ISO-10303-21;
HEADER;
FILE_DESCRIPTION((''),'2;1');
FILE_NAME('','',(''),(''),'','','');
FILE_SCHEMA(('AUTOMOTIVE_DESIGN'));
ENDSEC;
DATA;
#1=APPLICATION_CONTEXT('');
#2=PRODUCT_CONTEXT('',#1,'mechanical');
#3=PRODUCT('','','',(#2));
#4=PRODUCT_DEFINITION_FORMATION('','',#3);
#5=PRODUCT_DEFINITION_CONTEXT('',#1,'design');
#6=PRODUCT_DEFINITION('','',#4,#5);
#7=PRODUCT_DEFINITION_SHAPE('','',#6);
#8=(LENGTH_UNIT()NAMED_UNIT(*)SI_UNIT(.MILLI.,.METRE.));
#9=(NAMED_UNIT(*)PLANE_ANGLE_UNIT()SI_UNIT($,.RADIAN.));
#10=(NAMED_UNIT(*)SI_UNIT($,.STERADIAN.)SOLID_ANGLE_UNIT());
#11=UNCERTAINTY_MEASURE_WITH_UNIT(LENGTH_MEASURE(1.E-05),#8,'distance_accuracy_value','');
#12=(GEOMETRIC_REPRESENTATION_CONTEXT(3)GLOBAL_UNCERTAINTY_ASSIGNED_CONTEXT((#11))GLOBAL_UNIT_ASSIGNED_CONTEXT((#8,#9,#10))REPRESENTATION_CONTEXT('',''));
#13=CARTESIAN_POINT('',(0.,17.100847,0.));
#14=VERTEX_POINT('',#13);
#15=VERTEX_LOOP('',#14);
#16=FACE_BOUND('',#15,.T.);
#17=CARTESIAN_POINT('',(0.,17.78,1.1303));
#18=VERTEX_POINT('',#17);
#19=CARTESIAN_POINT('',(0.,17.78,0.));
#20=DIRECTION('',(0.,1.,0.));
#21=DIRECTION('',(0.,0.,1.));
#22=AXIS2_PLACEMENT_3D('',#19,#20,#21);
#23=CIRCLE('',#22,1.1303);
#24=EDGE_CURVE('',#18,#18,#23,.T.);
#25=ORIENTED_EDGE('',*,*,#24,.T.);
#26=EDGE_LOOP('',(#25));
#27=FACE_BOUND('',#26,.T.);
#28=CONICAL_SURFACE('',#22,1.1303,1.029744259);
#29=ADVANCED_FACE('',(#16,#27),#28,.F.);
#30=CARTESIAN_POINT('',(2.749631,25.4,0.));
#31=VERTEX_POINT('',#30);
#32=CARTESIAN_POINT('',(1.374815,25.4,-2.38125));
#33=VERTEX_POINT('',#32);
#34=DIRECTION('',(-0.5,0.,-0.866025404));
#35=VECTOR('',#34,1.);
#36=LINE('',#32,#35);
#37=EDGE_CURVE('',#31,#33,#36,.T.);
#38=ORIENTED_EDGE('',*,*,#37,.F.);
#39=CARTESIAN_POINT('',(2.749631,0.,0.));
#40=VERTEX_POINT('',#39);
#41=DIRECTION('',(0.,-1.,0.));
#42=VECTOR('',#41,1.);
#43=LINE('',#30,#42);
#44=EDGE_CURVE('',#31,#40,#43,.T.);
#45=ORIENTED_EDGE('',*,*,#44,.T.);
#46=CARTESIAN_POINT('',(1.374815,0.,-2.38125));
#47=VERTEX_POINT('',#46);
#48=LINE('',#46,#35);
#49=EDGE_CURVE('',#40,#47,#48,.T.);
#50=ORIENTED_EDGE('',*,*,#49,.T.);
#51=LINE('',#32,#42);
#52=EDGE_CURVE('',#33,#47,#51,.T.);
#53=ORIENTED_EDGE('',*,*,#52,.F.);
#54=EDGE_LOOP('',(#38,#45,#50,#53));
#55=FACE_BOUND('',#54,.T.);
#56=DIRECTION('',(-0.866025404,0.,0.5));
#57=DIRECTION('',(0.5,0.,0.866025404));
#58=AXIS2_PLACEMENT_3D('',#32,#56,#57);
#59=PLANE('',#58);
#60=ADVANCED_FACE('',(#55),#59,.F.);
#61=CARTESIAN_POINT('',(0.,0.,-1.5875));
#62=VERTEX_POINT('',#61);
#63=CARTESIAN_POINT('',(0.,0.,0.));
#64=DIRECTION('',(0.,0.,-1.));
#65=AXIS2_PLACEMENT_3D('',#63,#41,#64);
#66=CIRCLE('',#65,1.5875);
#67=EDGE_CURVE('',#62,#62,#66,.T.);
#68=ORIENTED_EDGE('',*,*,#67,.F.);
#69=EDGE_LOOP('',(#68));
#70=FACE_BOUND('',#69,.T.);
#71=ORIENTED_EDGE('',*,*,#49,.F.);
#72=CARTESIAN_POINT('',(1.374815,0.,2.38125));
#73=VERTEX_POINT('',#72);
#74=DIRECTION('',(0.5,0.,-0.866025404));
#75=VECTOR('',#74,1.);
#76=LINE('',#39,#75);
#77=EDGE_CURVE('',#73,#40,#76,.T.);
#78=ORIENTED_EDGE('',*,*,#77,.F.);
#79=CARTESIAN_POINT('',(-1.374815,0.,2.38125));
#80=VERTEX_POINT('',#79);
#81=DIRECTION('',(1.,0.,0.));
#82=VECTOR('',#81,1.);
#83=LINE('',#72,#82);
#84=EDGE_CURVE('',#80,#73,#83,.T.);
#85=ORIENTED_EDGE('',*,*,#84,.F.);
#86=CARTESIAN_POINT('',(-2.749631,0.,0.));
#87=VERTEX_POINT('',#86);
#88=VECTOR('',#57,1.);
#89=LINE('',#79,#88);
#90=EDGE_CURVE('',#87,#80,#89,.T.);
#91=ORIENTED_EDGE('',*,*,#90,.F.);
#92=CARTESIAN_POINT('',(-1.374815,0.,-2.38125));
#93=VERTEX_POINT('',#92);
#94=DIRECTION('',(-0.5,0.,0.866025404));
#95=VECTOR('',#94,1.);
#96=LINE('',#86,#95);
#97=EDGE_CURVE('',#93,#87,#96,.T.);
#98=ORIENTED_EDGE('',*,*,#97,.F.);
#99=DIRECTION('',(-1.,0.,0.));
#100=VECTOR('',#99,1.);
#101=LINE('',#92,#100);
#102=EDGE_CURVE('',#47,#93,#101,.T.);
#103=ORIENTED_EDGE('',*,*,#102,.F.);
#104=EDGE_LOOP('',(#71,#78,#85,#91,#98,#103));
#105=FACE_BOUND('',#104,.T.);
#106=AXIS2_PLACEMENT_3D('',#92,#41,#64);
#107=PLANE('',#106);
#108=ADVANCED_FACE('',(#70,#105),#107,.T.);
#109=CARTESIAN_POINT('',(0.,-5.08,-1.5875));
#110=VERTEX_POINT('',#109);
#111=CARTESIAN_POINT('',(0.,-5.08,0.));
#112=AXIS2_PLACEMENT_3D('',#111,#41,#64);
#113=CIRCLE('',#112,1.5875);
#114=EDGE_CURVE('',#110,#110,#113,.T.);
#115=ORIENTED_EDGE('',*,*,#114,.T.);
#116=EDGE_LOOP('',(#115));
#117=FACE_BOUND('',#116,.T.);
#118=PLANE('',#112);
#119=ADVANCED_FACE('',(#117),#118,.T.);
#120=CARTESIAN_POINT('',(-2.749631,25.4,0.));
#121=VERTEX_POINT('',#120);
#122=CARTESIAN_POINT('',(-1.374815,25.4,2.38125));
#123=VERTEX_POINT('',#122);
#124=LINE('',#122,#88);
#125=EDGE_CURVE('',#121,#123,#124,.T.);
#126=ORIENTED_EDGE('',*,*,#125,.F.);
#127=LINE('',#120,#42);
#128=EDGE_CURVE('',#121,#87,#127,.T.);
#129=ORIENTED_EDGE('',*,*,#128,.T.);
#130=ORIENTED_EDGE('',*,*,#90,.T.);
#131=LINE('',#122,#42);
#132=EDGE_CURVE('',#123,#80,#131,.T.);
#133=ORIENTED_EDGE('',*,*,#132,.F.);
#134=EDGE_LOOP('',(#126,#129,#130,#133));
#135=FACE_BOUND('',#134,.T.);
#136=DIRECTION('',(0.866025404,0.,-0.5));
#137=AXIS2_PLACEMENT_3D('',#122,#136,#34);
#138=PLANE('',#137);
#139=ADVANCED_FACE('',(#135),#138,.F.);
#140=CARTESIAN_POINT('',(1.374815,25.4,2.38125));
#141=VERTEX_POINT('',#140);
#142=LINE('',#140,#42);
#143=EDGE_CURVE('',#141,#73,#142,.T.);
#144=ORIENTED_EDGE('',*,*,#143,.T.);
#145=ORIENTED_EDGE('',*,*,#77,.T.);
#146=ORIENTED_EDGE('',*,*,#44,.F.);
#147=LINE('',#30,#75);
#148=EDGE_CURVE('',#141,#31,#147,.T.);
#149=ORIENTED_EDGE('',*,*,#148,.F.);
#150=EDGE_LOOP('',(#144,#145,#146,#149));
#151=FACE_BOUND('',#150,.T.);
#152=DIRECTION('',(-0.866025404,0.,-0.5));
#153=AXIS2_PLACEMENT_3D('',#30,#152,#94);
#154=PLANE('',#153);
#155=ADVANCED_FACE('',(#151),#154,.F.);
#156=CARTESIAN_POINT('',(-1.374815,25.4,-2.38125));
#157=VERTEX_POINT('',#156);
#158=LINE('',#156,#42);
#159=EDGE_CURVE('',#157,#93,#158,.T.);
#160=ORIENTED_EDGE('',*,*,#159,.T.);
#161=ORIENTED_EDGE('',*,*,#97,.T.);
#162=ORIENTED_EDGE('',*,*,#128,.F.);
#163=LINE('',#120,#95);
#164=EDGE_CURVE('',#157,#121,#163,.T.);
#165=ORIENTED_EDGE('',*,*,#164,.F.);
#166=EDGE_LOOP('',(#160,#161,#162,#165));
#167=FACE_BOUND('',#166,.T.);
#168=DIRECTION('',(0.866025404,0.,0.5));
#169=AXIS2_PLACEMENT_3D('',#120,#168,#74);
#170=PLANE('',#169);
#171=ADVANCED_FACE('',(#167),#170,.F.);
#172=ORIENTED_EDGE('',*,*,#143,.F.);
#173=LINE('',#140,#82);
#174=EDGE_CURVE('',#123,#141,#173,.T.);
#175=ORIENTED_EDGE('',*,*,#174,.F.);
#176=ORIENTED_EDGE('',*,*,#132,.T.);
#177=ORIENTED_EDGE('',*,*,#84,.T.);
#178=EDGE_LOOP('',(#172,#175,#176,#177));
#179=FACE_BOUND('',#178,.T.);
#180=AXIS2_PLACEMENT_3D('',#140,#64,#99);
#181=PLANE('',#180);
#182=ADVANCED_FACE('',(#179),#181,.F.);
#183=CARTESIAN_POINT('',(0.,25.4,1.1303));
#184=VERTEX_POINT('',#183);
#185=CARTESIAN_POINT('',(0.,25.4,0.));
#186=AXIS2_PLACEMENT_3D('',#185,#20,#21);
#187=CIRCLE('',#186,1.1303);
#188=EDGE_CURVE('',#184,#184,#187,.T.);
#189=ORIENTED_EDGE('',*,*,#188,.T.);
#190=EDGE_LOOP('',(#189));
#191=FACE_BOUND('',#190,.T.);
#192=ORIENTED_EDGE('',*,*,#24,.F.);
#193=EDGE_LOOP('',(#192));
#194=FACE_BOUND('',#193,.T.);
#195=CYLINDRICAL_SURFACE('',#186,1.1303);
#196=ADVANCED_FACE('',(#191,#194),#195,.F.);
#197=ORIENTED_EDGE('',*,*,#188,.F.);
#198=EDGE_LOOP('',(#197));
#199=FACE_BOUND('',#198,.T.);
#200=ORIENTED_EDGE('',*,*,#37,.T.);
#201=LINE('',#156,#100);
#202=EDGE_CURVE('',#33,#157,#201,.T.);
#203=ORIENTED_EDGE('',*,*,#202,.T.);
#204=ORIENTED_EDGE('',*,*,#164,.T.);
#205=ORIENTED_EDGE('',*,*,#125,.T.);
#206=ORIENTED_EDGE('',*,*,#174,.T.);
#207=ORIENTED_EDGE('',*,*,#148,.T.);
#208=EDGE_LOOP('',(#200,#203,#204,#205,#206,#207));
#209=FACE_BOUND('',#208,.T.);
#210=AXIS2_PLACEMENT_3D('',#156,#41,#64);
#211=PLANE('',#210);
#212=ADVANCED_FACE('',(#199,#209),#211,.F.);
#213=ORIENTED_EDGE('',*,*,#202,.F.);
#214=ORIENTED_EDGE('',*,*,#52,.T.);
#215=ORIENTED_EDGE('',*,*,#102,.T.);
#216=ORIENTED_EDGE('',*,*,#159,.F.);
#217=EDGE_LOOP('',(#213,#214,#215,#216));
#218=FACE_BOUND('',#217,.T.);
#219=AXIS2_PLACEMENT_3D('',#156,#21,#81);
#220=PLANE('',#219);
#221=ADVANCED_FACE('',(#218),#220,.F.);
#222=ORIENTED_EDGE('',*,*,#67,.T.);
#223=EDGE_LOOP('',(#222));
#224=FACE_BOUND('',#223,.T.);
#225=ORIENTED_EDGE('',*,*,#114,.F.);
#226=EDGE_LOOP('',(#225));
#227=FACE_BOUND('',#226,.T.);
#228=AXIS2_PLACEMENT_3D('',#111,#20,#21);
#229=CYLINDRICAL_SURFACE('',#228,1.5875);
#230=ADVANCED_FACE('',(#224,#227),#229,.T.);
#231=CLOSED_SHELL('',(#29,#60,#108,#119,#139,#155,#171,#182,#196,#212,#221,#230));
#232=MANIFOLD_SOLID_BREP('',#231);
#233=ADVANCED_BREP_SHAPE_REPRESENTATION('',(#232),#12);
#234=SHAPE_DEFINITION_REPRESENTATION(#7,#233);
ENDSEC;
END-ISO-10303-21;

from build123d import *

# Parameters (mm, degrees)
EXTRUDE1_DEPTH            = 25.4
F_4_40_TAPPED_HOLE1_D     = 2.2606
F_4_40_TAPPED_HOLE1_DEPTH = 7.62
F_4_40_TAPPED_HOLE1_TIP   = 0.679152758
SKETCH5_R                 = 1.5875
EXTRUDE2_DEPTH            = 5.08


with BuildPart() as part:
    # Sketch1 → Extrude1 (new body)
    with BuildSketch(Plane(origin=(0, 0, 0), x_dir=(1, 0, 0), z_dir=(0, 1, 0))):
        Polygon((-1.374815329, 2.38125), (1.374815329, 2.38125), (2.749630657, 0), (1.374815329, -2.38125), (-1.374815329, -2.38125), (-2.749630657, 0), align=None)
    extrude(amount=EXTRUDE1_DEPTH)

    # #4-40 Tapped Hole1
    with Locations(Plane.ZX.offset(25.4)):
        with Locations((0, 0)):
            Hole(F_4_40_TAPPED_HOLE1_D / 2, depth=F_4_40_TAPPED_HOLE1_DEPTH)
            with Locations((0, 0, -(F_4_40_TAPPED_HOLE1_DEPTH + F_4_40_TAPPED_HOLE1_TIP / 2))):  # 118° drill point
                Cone(0, F_4_40_TAPPED_HOLE1_D / 2, F_4_40_TAPPED_HOLE1_TIP, mode=Mode.SUBTRACT)

    # Sketch5 → Extrude2 (add)
    with BuildSketch(Plane.XZ):
        Circle(SKETCH5_R)
    extrude(amount=EXTRUDE2_DEPTH)


solid = part.part
